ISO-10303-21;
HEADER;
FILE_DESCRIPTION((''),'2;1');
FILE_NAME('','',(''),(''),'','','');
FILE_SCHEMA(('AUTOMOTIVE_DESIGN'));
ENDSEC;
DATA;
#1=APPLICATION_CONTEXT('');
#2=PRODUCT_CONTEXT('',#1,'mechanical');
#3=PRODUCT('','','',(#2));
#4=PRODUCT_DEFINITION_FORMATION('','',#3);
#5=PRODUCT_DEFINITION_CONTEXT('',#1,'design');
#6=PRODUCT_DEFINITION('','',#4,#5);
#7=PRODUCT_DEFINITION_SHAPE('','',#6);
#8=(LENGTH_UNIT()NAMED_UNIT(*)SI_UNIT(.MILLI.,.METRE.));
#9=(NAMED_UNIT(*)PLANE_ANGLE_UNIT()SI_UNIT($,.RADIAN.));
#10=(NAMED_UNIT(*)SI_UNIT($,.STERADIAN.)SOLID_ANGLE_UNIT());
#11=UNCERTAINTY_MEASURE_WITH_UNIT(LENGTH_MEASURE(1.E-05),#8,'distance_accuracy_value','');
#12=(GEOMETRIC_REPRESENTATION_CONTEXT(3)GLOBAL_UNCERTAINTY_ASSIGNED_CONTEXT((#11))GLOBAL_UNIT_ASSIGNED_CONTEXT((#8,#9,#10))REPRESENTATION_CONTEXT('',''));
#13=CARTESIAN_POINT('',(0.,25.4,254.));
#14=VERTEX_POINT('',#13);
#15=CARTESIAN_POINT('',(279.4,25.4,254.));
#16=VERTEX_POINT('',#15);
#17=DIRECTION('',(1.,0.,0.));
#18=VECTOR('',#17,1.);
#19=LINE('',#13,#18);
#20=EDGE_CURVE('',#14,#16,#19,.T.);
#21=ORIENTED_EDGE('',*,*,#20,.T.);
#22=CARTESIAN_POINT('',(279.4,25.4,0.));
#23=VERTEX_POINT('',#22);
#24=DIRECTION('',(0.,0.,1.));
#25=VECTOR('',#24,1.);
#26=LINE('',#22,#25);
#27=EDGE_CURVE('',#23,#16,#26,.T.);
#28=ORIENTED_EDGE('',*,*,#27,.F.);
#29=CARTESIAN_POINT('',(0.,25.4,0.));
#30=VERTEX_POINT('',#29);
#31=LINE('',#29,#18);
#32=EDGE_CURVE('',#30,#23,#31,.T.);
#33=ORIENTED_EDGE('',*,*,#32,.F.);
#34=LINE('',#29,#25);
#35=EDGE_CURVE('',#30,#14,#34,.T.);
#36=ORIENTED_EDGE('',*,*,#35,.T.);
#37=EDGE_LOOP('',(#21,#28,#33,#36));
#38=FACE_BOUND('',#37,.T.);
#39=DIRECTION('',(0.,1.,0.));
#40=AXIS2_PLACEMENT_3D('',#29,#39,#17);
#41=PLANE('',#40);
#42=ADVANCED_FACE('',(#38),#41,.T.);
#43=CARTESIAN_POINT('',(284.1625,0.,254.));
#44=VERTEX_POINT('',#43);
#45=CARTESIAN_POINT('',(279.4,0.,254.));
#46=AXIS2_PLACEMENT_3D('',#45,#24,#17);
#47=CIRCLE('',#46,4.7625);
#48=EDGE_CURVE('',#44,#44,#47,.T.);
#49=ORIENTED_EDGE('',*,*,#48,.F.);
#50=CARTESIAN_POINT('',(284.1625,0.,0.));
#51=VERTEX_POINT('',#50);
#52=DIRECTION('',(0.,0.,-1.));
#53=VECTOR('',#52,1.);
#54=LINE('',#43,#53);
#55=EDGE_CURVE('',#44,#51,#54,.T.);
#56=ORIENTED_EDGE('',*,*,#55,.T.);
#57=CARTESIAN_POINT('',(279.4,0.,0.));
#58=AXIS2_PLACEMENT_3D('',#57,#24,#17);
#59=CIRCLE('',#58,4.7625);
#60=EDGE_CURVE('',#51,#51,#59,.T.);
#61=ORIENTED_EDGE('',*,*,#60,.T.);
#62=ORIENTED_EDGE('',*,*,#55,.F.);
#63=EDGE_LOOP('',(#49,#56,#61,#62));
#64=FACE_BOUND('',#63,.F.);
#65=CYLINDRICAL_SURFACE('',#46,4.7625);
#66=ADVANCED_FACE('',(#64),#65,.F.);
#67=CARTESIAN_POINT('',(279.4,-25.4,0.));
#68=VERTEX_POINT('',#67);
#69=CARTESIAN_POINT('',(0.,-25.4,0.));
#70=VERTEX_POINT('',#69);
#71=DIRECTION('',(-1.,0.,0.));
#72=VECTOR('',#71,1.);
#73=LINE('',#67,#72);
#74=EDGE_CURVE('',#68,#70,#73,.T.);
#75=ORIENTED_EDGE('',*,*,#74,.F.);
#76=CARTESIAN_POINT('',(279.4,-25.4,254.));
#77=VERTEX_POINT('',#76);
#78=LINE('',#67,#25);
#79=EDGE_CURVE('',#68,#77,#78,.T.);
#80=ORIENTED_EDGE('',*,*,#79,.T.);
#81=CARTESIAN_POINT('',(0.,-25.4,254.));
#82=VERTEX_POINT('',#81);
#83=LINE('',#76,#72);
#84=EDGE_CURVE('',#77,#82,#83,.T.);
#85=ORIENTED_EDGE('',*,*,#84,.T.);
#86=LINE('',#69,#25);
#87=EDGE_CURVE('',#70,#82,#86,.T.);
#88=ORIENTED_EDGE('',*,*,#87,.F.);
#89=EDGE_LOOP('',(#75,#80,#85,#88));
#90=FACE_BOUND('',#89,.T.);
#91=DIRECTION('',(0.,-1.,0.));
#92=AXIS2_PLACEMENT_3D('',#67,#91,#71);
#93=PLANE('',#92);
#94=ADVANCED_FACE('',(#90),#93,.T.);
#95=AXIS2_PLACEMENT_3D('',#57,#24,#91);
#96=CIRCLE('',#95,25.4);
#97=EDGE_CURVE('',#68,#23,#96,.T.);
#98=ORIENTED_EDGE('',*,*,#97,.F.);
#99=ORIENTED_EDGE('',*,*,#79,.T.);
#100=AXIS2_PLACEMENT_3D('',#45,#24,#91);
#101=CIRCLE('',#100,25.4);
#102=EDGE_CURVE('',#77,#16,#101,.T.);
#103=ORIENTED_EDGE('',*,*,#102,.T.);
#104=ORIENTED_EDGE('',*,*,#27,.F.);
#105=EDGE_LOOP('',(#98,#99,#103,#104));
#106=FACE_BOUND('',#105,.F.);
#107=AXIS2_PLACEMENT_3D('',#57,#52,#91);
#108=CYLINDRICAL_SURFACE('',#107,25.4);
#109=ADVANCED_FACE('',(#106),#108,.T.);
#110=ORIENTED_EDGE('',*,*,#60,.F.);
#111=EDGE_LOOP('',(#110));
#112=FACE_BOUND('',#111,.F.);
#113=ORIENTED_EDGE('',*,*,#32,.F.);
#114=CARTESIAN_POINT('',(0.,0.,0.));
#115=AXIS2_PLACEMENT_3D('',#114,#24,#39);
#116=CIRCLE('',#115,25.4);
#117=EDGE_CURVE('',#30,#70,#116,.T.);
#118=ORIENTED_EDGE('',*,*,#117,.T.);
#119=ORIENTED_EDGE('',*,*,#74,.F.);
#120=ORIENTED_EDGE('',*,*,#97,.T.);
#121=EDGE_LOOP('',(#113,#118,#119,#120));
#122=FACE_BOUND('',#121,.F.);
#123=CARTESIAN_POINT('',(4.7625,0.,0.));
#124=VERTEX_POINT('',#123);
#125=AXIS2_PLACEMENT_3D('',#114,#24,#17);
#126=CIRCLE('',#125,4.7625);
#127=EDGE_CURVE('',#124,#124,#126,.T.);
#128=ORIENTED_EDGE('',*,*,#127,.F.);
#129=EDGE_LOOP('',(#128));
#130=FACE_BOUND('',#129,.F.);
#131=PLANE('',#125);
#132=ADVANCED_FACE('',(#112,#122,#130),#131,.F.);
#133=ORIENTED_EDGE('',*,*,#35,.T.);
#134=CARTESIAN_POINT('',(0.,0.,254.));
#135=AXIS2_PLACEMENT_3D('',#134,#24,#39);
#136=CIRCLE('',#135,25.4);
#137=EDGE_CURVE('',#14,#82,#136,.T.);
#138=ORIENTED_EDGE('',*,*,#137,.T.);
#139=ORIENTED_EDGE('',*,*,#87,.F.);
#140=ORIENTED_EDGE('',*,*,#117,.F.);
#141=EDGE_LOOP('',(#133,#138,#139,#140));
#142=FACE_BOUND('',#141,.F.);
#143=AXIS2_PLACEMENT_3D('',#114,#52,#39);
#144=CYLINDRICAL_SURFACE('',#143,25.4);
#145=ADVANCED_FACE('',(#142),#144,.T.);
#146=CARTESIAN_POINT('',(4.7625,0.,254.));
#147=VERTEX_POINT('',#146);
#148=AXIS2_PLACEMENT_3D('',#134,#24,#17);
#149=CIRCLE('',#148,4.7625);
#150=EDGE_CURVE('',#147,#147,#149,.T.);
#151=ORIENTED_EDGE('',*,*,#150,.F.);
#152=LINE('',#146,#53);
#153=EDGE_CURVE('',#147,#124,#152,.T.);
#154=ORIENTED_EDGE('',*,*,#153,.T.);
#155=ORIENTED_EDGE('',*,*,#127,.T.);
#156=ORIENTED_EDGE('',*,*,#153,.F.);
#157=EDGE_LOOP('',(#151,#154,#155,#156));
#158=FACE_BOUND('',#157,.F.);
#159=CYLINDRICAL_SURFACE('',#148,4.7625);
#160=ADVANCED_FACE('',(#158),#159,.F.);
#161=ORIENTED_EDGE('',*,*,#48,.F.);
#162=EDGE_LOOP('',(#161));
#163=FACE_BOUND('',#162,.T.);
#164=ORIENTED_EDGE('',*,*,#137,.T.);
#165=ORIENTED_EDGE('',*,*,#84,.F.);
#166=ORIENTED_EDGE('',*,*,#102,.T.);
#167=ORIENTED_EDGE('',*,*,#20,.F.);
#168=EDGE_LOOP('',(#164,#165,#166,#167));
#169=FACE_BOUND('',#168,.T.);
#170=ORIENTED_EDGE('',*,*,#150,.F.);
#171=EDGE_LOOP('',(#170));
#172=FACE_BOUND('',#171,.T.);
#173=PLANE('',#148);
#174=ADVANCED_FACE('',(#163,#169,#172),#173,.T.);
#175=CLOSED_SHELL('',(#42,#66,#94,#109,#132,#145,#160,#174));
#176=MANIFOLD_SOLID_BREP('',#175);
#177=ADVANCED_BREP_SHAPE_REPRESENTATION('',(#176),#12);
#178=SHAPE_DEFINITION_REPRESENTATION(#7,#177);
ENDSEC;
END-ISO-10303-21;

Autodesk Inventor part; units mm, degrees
ref_plane "YZ Plane" through (0, 0, 0) normal (1, 0, 0) x (0, 1, 0)
ref_plane "XZ Plane" through (0, 0, 0) normal (0, 1, 0) x (-1, 0, 0)
ref_plane "XY Plane" through (0, 0, 0) normal (0, 0, 1) x (1, 0, 0)
sketch "Sketch1" plane through (0, 0, 0) normal (0, 0, 1) x (1, 0, 0)
  arc A0 (0, 25.4) -> (0, -25.4) centre (0, 0) ccw
  arc A1 (279.4, -25.4) -> (279.4, 25.4) centre (279.4, 0) ccw
  line L0 (0, 25.4) -> (279.4, 25.4)
  line L1 (279.4, -25.4) -> (0, -25.4)
  dimension "d0" = 25.4
  dimension "d1" = 279.4
extrude "Extrusion1" add sketch "Sketch1" along normal blind 254
sketch "Sketch2" plane through (0, 0, 254) normal (0, 0, 1) x (1, 0, 0)
  arc A0 (0, 25.4) -> (0, -25.4) centre (0, 0) ccw projected
  arc A1 (279.4, -25.4) -> (279.4, 25.4) centre (279.4, 0) ccw projected
  circle A2 centre (0, 0) radius 4.7625
  circle A3 centre (279.4, 0) radius 4.7625
  dimension "d4" = 9.525
extrude "Extrusion2" cut sketch "Sketch2" against normal through all
properties part number "LateralConveyorRepresentation"
